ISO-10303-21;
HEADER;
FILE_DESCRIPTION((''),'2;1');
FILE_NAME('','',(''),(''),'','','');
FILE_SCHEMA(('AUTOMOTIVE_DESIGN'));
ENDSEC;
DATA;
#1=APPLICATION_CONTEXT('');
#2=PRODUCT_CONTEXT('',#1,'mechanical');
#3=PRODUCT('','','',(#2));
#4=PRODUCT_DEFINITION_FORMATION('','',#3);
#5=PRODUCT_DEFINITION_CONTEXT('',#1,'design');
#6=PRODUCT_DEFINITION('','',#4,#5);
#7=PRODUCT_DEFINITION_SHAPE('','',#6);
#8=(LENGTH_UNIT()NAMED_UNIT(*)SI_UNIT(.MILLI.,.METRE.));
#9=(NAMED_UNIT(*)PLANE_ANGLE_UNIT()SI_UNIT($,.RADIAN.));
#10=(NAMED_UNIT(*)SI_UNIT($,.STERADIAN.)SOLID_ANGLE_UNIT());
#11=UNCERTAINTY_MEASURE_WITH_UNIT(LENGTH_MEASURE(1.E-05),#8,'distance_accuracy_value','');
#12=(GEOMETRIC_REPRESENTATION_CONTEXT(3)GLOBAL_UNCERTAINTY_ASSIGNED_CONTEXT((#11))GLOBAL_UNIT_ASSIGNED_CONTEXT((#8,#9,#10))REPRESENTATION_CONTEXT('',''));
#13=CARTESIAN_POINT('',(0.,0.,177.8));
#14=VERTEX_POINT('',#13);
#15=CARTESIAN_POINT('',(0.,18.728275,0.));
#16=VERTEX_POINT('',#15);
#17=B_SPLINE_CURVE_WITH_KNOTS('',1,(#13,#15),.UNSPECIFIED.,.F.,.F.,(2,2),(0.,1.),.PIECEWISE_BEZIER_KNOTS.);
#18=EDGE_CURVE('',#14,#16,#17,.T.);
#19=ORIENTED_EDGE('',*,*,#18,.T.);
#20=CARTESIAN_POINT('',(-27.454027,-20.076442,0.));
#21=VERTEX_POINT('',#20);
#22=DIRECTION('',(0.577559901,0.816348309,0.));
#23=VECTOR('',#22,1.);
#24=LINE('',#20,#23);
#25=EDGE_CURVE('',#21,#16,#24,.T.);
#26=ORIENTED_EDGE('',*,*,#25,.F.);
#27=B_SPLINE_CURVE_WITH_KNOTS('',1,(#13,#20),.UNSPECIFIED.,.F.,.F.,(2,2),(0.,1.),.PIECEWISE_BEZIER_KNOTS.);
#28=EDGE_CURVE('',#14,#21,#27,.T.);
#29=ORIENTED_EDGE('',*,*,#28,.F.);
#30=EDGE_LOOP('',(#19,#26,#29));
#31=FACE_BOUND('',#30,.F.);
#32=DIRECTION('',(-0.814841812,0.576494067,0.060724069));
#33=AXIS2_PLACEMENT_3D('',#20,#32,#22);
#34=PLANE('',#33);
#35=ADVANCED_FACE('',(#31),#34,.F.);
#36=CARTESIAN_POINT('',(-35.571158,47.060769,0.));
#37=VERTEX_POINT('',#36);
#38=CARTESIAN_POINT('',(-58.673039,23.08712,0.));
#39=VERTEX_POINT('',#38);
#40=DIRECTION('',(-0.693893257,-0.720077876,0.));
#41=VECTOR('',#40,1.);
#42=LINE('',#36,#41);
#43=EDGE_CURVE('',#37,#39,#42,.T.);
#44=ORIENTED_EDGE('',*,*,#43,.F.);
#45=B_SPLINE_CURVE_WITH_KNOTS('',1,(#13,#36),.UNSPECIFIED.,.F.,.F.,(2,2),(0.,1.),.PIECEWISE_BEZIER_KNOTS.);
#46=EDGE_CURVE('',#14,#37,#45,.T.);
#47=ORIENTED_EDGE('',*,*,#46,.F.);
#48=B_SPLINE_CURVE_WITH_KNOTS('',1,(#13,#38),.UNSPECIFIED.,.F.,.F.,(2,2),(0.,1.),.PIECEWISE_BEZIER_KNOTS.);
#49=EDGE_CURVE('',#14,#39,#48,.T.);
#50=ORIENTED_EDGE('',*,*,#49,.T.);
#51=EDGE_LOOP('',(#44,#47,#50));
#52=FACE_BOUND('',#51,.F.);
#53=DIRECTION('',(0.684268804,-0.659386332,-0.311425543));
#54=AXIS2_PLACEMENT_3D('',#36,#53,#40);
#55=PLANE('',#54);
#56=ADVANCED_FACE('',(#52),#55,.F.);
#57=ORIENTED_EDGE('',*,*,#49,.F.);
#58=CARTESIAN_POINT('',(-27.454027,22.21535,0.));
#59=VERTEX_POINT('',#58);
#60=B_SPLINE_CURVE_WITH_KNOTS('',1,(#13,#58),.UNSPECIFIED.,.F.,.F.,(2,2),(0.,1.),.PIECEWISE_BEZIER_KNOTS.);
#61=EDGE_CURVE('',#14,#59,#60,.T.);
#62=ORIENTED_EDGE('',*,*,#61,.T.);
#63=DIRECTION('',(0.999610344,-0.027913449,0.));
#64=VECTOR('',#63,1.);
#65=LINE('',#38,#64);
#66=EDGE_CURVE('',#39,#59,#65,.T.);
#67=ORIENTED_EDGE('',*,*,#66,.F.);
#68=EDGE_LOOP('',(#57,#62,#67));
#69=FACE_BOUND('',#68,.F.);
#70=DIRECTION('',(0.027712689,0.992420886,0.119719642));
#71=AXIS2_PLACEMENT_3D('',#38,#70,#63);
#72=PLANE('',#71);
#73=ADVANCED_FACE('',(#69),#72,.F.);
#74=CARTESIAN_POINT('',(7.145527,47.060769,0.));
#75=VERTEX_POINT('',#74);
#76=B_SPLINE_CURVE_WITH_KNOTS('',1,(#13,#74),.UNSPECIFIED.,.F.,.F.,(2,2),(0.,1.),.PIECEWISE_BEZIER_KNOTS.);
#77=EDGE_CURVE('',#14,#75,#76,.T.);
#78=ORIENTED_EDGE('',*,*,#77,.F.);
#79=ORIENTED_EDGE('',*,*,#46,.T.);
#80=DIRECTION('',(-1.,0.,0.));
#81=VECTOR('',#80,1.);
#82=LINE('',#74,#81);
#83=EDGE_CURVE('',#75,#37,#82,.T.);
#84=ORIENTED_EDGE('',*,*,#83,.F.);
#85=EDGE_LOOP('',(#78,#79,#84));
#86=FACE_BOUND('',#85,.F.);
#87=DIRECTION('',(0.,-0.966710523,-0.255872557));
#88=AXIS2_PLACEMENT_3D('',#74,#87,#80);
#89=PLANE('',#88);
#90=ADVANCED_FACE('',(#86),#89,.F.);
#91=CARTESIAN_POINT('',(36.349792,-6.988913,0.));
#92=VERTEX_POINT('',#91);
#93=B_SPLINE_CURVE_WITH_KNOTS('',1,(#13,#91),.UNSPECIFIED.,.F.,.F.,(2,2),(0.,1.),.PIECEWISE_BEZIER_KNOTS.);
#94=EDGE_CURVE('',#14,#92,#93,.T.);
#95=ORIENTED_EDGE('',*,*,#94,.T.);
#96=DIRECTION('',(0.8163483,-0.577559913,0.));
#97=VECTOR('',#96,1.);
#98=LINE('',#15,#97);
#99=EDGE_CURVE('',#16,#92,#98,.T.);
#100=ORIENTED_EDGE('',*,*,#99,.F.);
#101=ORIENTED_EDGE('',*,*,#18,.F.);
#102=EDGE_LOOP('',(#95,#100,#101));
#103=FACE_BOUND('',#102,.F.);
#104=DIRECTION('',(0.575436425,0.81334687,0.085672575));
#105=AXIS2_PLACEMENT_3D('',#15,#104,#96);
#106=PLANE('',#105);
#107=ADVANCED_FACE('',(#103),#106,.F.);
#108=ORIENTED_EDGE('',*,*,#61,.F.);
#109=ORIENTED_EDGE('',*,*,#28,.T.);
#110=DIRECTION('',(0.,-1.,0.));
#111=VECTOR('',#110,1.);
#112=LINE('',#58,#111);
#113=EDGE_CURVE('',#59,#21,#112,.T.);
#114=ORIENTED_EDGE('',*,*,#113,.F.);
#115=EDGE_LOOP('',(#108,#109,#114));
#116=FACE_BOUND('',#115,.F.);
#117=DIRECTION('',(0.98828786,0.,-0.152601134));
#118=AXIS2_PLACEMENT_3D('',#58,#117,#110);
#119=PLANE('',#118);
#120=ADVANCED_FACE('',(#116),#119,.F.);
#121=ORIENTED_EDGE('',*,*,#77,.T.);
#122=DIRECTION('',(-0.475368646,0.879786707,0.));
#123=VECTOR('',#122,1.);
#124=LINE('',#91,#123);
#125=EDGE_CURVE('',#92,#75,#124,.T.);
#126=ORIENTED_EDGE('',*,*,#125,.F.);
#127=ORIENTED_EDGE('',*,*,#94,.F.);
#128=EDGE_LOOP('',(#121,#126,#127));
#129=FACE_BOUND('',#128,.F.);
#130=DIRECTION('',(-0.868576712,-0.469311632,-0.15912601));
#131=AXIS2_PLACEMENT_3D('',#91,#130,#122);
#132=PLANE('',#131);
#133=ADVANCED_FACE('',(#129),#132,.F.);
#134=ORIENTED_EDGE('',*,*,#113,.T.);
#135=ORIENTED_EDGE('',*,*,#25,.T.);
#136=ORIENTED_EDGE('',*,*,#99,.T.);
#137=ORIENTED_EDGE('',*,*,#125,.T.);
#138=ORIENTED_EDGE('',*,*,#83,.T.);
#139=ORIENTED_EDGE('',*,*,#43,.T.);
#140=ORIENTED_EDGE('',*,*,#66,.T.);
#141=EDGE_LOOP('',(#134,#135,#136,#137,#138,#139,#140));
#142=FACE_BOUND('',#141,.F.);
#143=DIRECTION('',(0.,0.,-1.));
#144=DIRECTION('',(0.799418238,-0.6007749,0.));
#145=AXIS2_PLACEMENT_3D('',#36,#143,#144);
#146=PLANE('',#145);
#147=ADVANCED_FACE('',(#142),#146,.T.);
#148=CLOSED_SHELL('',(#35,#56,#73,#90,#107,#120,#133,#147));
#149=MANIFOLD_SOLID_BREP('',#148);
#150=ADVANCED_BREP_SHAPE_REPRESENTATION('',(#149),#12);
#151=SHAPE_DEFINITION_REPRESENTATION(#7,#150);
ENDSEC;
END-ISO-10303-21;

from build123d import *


with BuildPart() as f3:
    # F0 (on Top) → F3 section 0
    with BuildSketch(Plane.XY, mode=Mode.PRIVATE) as f3_s0:
        Polygon((-35.571158, 47.060769), (-58.673039, 23.08712), (-27.454027, 22.21535), (-27.454027, -20.076442), (0, 18.728275), (36.349792, -6.988913), (7.145527, 47.060769), align=None)
    loft([Vertex(0, 0, 177.8), f3_s0.sketch])


solid = f3.part
